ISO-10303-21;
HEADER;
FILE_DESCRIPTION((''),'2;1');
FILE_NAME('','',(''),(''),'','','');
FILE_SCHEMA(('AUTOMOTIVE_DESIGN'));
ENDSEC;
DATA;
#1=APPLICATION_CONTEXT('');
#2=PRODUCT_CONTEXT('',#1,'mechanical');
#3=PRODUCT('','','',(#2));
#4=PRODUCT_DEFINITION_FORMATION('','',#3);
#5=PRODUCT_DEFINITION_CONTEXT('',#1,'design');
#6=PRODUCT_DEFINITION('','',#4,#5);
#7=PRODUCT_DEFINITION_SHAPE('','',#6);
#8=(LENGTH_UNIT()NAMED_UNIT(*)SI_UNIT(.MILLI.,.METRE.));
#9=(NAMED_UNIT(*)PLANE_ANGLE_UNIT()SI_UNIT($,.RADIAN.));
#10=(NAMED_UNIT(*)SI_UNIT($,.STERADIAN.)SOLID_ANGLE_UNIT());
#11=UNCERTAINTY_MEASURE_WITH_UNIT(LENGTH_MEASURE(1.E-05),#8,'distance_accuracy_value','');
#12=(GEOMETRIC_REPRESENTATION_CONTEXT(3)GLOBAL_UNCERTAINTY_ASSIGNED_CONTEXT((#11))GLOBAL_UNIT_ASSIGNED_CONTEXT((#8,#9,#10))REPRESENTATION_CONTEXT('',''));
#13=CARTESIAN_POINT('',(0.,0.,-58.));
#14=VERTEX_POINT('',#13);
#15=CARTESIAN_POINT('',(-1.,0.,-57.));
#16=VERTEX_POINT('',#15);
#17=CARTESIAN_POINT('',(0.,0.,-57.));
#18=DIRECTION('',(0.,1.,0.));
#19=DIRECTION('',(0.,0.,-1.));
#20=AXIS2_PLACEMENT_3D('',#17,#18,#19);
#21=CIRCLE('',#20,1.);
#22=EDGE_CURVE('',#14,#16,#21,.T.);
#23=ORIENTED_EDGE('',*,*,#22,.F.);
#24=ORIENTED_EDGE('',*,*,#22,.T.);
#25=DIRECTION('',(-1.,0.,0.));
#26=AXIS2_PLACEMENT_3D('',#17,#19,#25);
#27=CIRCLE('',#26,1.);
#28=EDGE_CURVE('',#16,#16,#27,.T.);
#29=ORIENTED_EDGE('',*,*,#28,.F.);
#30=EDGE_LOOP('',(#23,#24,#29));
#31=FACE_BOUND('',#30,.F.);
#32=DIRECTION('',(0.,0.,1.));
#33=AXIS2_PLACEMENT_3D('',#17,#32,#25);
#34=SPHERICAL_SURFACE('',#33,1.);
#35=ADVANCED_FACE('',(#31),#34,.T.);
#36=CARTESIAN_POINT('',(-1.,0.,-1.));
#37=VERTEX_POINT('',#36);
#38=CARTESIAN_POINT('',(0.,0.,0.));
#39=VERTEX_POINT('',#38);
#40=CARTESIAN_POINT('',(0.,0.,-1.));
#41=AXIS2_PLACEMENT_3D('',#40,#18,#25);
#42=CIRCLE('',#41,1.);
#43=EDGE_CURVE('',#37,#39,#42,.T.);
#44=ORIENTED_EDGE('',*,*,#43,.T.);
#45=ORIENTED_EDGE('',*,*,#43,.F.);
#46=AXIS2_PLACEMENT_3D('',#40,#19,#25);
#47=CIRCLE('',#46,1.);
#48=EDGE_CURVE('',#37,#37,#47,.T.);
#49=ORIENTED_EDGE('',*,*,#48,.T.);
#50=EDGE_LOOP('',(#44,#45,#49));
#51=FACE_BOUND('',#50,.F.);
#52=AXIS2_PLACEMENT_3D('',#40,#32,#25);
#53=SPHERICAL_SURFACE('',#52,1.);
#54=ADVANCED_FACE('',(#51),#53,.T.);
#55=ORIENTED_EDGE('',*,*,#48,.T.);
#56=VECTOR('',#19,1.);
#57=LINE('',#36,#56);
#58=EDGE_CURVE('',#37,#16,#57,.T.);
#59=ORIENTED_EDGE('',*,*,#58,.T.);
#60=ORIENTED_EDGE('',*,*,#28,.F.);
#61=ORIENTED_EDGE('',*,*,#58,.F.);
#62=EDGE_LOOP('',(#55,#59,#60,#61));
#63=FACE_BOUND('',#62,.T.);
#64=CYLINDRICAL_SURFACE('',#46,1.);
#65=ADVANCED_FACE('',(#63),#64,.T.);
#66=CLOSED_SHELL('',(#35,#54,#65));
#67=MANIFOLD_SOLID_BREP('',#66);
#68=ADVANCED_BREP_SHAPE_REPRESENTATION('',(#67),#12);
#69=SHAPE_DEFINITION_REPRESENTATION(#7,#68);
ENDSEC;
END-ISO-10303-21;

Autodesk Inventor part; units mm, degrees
ref_plane "YZ Plane" through (0, 0, 0) normal (1, 0, 0) x (0, 1, 0)
ref_plane "XZ Plane" through (0, 0, 0) normal (0, 1, 0) x (-1, 0, 0)
ref_plane "XY Plane" through (0, 0, 0) normal (0, 0, 1) x (1, 0, 0)
sketch "Sketch1" plane through (0, 0, 0) normal (0, 1, 0) x (-1, 0, 0)
  arc A0 (1, -1) -> (0, 0) centre (0, -1) ccw
  line L0 (1, -1) -> (1, -57)
  arc A1 (0, -58) -> (1, -57) centre (0, -57) ccw
  line L1 (0, 0) -> (0, -58)
  dimension "d0" = 58
  dimension "d1" = 2
revolve "Revolution1" add sketch "Sketch1" angle 360 about axis through (0, 0, 0) along (0, 0, -1)
properties part number "Stösselstange"
